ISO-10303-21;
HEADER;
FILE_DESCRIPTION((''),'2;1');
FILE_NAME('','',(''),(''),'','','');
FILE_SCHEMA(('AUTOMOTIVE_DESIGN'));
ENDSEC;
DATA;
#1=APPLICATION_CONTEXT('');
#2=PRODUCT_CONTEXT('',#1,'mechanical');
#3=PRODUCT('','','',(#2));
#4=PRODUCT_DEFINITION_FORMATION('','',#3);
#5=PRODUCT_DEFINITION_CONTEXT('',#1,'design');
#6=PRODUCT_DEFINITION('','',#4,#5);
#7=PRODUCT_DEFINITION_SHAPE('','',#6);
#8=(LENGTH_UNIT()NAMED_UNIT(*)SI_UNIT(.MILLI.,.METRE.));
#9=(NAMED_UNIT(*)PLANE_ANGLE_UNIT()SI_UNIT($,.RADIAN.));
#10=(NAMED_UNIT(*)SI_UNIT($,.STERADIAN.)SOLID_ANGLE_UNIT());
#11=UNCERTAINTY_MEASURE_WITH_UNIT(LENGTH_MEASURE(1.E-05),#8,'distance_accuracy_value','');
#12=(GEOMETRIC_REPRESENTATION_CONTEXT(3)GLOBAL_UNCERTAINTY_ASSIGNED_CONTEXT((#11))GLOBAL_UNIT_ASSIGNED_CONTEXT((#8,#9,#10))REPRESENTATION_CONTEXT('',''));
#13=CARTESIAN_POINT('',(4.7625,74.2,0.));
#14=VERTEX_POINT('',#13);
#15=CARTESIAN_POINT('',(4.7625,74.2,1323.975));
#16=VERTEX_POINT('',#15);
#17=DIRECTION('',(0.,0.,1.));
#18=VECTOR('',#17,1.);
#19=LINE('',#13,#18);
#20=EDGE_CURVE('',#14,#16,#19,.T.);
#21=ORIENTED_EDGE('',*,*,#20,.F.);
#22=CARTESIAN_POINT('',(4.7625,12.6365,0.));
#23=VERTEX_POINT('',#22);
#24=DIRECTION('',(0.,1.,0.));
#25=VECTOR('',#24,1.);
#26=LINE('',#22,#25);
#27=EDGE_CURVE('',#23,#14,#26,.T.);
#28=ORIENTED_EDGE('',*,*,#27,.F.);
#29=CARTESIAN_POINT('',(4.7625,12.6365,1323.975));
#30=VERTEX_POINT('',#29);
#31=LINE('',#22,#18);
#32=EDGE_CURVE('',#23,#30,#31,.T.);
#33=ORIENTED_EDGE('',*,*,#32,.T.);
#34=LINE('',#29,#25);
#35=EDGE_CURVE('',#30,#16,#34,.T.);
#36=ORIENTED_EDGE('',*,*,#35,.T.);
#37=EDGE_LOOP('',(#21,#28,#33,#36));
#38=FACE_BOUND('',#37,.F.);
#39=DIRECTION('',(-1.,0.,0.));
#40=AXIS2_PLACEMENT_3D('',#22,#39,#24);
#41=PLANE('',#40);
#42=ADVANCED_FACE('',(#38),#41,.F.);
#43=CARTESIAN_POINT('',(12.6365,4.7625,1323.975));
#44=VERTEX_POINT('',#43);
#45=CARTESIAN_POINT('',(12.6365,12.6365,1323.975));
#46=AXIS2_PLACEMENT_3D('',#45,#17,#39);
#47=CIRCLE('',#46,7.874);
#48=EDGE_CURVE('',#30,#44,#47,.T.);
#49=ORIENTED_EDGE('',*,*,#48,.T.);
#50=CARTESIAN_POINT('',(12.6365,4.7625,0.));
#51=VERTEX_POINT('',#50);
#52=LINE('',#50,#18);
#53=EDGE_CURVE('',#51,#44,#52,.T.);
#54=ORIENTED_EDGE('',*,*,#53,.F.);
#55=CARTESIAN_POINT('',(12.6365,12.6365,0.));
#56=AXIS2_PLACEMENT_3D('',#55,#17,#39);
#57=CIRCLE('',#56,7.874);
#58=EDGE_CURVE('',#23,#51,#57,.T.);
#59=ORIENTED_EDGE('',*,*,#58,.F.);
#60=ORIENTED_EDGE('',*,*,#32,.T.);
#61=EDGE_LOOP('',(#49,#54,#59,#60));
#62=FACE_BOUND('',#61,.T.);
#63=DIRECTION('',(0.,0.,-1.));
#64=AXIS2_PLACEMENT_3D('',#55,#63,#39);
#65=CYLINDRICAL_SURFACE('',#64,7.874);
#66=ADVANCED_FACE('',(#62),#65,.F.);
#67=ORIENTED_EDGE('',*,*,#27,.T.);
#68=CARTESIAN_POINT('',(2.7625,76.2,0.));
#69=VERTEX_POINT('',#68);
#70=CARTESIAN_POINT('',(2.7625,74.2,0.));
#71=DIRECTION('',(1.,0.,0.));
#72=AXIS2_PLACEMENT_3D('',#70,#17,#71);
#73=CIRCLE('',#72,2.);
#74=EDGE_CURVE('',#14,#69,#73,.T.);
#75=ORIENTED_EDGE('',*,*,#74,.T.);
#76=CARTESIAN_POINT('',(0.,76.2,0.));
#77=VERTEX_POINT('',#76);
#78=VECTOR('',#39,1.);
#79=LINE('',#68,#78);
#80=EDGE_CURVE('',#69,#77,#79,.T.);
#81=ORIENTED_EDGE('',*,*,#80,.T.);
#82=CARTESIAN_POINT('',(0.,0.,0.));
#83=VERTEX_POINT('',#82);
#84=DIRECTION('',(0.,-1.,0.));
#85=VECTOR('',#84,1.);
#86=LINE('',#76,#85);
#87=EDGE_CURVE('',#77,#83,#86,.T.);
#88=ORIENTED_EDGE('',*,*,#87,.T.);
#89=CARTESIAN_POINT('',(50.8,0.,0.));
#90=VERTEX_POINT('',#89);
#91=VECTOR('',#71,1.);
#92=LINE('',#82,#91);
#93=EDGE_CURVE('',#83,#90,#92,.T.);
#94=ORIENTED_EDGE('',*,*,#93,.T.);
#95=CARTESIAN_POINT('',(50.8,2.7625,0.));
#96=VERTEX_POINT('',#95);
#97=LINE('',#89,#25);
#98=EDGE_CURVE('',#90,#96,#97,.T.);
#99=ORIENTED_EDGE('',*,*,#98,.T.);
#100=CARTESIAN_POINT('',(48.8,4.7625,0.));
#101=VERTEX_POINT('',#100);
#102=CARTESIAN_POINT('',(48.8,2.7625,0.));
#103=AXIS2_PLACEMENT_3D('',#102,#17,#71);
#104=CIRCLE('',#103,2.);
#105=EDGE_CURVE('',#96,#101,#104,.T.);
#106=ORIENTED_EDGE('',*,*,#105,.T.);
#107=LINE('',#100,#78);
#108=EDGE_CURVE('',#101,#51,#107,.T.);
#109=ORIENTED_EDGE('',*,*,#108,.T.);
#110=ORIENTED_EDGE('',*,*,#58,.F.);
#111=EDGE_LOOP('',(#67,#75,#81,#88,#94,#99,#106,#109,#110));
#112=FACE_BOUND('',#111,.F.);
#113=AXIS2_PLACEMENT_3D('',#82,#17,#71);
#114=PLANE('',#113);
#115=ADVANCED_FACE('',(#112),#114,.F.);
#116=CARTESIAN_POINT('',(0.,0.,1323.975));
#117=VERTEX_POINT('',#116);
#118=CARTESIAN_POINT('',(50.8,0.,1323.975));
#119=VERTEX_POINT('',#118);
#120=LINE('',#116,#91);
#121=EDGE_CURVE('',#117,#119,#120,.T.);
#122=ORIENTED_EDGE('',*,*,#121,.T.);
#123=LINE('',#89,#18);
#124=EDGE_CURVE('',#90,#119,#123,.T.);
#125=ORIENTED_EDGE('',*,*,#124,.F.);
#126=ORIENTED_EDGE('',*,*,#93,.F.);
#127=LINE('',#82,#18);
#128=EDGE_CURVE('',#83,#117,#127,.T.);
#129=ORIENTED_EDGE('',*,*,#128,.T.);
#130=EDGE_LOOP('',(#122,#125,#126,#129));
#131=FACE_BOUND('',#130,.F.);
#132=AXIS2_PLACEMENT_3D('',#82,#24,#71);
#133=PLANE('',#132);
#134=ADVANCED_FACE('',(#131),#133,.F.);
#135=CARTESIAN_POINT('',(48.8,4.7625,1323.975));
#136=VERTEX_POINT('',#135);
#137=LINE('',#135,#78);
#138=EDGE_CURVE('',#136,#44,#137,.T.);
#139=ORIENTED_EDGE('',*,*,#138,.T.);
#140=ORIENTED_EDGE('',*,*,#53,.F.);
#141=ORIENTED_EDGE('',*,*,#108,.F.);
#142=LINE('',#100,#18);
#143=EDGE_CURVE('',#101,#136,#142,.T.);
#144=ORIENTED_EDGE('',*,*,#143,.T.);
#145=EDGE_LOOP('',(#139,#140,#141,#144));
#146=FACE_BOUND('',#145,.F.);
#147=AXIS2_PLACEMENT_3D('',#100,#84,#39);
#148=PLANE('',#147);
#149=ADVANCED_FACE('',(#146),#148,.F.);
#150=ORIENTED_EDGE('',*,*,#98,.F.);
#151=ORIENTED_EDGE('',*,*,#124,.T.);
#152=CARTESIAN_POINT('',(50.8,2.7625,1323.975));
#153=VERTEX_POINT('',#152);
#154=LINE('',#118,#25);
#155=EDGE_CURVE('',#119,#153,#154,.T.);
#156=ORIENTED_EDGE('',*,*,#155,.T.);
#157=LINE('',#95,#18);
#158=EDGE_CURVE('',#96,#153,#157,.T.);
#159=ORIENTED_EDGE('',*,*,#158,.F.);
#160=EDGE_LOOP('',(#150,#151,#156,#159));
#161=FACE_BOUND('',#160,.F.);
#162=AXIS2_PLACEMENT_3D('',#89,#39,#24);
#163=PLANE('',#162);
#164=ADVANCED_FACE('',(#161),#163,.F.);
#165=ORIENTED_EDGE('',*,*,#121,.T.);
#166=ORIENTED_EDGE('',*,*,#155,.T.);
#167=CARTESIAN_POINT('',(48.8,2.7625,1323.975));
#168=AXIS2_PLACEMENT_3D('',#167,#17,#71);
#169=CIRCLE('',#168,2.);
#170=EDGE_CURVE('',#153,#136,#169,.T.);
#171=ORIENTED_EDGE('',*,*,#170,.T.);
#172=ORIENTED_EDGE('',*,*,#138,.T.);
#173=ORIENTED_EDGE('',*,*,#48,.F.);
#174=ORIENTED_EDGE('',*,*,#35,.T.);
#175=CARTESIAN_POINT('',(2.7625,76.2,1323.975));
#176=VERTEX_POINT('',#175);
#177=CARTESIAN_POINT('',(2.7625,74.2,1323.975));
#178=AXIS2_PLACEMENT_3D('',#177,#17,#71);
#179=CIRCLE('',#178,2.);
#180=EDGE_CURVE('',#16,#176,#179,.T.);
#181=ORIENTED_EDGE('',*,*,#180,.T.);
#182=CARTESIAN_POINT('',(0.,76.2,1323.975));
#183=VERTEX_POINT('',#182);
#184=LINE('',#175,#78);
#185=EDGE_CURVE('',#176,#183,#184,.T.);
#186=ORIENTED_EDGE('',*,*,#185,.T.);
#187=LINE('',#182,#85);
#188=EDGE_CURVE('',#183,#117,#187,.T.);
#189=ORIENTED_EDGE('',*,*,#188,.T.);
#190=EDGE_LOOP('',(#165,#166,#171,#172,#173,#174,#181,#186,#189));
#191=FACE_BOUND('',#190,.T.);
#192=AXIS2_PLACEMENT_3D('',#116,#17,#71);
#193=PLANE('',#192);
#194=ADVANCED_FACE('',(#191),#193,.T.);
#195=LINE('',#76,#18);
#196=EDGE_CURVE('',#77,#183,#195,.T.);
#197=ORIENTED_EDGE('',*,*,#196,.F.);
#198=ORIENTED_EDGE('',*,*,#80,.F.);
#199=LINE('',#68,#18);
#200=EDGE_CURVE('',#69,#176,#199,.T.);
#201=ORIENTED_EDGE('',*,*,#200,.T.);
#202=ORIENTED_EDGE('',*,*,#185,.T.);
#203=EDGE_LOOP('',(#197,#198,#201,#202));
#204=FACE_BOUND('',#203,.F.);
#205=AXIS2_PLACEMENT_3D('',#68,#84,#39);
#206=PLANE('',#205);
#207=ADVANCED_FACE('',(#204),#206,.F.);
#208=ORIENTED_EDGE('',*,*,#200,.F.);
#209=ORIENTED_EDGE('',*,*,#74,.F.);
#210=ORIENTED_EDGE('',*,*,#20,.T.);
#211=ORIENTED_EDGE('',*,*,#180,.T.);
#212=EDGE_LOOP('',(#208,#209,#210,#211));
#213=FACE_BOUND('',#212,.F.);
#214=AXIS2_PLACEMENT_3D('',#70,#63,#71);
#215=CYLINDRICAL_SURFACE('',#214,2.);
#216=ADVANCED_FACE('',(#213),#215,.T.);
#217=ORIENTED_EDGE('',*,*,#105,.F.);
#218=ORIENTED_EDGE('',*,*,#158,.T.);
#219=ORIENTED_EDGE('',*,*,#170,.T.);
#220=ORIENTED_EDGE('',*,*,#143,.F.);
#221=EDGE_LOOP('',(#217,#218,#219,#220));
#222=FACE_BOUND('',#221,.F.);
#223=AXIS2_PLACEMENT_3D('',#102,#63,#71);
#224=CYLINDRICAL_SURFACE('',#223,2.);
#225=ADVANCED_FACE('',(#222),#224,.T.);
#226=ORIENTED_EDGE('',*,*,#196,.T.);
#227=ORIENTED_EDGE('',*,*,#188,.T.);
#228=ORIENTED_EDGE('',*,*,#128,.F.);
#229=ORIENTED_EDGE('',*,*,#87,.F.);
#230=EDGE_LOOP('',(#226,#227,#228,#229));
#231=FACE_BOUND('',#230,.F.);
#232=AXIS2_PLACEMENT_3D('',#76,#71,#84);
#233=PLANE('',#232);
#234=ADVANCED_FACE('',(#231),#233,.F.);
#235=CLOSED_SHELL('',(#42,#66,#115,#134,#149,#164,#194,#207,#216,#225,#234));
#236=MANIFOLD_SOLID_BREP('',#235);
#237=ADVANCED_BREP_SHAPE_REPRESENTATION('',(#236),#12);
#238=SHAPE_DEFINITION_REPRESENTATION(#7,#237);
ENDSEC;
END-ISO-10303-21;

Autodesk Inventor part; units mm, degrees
ref_plane "YZ Plane" through (0, 0, 0) normal (1, 0, 0) x (0, 1, 0)
ref_plane "Start plane" through (0, 0, 0) normal (0, 0, 1) x (1, 0, 0)
ref_plane "End plane" through (0, 0, 1323.975) normal (0, 0, 1) x (1, 0, 0)
sketch "Sketch" plane through (0, 0, 0) normal (0, 0, 1) x (1, 0, 0)
  line L0 (0, 76.2) -> (0, 0)
  line L1 (0, 0) -> (50.8, 0)
  line L2 (50.8, 0) -> (50.8, 2.7625)
  line L3 (48.8, 4.7625) -> (12.6365, 4.7625)
  line L4 (4.7625, 12.6365) -> (4.7625, 74.2)
  line L5 (2.7625, 76.2) -> (0, 76.2)
  line L6 (-7.0414, 0) -> (21.5385, 0) construction
  line L7 (0, -8.0414) -> (0, 34.5385) construction
  arc A0 (4.7625, 12.6365) -> (12.6365, 4.7625) centre (12.6365, 12.6365) ccw
  arc A1 (50.8, 2.7625) -> (48.8, 4.7625) centre (48.8, 2.7625) ccw
  arc A2 (4.7625, 74.2) -> (2.7625, 76.2) centre (2.7625, 74.2) ccw
  line L8 (0, 93.5453) -> (0, -24.9725) construction
  line L9 (-18.6925, 0) -> (62.8653, 0) construction
  point P0 (50.8, 4.7625)
  point P1 (4.7625, 4.7625)
  point P2 (4.7625, 76.2)
  dimension "d12" = 4.7625
  dimension "d13" = 76.2
  dimension "d14" = 50.8
  dimension "d15" = 0
  dimension "d16" = 4.7625
  dimension "d17" = 0
  dimension "d18" = 7.874
  dimension "d19" = 2
extrude "Body" add sketch "Sketch" along normal up to surface (1323.975 mm away) from surface at 0
equation "\"d12\" = G_T"
equation "\"d13\" = G_H"
equation "\"d14\" = G_W"
equation "\"d16\" = G_T"
equation "\"d18\" = G_IR"
equation "\"d4\" = G_L"
equation "\"G_W\" = 50.8"
equation "\"G_H\" = 76.2"
equation "\"G_T\" = 4.7625"
equation "\"G_ER\" = 4.064"
equation "\"G_IR\" = 7.874"
equation "\"G_L\" = B_L + G_OFFSET_START + G_OFFSET_END"
equation "\"ex\" = 0"
equation "\"ey\" = 0"
equation "\"G_OFFSET_START\" = 0"
equation "\"G_OFFSET_END\" = 0"
equation "\"d21\" = G_OFFSET_END + B_L"
equation "\"B_L\" = 1323.975"
properties part number "ANSI L 3 x 2 x 3_16 00000008"
